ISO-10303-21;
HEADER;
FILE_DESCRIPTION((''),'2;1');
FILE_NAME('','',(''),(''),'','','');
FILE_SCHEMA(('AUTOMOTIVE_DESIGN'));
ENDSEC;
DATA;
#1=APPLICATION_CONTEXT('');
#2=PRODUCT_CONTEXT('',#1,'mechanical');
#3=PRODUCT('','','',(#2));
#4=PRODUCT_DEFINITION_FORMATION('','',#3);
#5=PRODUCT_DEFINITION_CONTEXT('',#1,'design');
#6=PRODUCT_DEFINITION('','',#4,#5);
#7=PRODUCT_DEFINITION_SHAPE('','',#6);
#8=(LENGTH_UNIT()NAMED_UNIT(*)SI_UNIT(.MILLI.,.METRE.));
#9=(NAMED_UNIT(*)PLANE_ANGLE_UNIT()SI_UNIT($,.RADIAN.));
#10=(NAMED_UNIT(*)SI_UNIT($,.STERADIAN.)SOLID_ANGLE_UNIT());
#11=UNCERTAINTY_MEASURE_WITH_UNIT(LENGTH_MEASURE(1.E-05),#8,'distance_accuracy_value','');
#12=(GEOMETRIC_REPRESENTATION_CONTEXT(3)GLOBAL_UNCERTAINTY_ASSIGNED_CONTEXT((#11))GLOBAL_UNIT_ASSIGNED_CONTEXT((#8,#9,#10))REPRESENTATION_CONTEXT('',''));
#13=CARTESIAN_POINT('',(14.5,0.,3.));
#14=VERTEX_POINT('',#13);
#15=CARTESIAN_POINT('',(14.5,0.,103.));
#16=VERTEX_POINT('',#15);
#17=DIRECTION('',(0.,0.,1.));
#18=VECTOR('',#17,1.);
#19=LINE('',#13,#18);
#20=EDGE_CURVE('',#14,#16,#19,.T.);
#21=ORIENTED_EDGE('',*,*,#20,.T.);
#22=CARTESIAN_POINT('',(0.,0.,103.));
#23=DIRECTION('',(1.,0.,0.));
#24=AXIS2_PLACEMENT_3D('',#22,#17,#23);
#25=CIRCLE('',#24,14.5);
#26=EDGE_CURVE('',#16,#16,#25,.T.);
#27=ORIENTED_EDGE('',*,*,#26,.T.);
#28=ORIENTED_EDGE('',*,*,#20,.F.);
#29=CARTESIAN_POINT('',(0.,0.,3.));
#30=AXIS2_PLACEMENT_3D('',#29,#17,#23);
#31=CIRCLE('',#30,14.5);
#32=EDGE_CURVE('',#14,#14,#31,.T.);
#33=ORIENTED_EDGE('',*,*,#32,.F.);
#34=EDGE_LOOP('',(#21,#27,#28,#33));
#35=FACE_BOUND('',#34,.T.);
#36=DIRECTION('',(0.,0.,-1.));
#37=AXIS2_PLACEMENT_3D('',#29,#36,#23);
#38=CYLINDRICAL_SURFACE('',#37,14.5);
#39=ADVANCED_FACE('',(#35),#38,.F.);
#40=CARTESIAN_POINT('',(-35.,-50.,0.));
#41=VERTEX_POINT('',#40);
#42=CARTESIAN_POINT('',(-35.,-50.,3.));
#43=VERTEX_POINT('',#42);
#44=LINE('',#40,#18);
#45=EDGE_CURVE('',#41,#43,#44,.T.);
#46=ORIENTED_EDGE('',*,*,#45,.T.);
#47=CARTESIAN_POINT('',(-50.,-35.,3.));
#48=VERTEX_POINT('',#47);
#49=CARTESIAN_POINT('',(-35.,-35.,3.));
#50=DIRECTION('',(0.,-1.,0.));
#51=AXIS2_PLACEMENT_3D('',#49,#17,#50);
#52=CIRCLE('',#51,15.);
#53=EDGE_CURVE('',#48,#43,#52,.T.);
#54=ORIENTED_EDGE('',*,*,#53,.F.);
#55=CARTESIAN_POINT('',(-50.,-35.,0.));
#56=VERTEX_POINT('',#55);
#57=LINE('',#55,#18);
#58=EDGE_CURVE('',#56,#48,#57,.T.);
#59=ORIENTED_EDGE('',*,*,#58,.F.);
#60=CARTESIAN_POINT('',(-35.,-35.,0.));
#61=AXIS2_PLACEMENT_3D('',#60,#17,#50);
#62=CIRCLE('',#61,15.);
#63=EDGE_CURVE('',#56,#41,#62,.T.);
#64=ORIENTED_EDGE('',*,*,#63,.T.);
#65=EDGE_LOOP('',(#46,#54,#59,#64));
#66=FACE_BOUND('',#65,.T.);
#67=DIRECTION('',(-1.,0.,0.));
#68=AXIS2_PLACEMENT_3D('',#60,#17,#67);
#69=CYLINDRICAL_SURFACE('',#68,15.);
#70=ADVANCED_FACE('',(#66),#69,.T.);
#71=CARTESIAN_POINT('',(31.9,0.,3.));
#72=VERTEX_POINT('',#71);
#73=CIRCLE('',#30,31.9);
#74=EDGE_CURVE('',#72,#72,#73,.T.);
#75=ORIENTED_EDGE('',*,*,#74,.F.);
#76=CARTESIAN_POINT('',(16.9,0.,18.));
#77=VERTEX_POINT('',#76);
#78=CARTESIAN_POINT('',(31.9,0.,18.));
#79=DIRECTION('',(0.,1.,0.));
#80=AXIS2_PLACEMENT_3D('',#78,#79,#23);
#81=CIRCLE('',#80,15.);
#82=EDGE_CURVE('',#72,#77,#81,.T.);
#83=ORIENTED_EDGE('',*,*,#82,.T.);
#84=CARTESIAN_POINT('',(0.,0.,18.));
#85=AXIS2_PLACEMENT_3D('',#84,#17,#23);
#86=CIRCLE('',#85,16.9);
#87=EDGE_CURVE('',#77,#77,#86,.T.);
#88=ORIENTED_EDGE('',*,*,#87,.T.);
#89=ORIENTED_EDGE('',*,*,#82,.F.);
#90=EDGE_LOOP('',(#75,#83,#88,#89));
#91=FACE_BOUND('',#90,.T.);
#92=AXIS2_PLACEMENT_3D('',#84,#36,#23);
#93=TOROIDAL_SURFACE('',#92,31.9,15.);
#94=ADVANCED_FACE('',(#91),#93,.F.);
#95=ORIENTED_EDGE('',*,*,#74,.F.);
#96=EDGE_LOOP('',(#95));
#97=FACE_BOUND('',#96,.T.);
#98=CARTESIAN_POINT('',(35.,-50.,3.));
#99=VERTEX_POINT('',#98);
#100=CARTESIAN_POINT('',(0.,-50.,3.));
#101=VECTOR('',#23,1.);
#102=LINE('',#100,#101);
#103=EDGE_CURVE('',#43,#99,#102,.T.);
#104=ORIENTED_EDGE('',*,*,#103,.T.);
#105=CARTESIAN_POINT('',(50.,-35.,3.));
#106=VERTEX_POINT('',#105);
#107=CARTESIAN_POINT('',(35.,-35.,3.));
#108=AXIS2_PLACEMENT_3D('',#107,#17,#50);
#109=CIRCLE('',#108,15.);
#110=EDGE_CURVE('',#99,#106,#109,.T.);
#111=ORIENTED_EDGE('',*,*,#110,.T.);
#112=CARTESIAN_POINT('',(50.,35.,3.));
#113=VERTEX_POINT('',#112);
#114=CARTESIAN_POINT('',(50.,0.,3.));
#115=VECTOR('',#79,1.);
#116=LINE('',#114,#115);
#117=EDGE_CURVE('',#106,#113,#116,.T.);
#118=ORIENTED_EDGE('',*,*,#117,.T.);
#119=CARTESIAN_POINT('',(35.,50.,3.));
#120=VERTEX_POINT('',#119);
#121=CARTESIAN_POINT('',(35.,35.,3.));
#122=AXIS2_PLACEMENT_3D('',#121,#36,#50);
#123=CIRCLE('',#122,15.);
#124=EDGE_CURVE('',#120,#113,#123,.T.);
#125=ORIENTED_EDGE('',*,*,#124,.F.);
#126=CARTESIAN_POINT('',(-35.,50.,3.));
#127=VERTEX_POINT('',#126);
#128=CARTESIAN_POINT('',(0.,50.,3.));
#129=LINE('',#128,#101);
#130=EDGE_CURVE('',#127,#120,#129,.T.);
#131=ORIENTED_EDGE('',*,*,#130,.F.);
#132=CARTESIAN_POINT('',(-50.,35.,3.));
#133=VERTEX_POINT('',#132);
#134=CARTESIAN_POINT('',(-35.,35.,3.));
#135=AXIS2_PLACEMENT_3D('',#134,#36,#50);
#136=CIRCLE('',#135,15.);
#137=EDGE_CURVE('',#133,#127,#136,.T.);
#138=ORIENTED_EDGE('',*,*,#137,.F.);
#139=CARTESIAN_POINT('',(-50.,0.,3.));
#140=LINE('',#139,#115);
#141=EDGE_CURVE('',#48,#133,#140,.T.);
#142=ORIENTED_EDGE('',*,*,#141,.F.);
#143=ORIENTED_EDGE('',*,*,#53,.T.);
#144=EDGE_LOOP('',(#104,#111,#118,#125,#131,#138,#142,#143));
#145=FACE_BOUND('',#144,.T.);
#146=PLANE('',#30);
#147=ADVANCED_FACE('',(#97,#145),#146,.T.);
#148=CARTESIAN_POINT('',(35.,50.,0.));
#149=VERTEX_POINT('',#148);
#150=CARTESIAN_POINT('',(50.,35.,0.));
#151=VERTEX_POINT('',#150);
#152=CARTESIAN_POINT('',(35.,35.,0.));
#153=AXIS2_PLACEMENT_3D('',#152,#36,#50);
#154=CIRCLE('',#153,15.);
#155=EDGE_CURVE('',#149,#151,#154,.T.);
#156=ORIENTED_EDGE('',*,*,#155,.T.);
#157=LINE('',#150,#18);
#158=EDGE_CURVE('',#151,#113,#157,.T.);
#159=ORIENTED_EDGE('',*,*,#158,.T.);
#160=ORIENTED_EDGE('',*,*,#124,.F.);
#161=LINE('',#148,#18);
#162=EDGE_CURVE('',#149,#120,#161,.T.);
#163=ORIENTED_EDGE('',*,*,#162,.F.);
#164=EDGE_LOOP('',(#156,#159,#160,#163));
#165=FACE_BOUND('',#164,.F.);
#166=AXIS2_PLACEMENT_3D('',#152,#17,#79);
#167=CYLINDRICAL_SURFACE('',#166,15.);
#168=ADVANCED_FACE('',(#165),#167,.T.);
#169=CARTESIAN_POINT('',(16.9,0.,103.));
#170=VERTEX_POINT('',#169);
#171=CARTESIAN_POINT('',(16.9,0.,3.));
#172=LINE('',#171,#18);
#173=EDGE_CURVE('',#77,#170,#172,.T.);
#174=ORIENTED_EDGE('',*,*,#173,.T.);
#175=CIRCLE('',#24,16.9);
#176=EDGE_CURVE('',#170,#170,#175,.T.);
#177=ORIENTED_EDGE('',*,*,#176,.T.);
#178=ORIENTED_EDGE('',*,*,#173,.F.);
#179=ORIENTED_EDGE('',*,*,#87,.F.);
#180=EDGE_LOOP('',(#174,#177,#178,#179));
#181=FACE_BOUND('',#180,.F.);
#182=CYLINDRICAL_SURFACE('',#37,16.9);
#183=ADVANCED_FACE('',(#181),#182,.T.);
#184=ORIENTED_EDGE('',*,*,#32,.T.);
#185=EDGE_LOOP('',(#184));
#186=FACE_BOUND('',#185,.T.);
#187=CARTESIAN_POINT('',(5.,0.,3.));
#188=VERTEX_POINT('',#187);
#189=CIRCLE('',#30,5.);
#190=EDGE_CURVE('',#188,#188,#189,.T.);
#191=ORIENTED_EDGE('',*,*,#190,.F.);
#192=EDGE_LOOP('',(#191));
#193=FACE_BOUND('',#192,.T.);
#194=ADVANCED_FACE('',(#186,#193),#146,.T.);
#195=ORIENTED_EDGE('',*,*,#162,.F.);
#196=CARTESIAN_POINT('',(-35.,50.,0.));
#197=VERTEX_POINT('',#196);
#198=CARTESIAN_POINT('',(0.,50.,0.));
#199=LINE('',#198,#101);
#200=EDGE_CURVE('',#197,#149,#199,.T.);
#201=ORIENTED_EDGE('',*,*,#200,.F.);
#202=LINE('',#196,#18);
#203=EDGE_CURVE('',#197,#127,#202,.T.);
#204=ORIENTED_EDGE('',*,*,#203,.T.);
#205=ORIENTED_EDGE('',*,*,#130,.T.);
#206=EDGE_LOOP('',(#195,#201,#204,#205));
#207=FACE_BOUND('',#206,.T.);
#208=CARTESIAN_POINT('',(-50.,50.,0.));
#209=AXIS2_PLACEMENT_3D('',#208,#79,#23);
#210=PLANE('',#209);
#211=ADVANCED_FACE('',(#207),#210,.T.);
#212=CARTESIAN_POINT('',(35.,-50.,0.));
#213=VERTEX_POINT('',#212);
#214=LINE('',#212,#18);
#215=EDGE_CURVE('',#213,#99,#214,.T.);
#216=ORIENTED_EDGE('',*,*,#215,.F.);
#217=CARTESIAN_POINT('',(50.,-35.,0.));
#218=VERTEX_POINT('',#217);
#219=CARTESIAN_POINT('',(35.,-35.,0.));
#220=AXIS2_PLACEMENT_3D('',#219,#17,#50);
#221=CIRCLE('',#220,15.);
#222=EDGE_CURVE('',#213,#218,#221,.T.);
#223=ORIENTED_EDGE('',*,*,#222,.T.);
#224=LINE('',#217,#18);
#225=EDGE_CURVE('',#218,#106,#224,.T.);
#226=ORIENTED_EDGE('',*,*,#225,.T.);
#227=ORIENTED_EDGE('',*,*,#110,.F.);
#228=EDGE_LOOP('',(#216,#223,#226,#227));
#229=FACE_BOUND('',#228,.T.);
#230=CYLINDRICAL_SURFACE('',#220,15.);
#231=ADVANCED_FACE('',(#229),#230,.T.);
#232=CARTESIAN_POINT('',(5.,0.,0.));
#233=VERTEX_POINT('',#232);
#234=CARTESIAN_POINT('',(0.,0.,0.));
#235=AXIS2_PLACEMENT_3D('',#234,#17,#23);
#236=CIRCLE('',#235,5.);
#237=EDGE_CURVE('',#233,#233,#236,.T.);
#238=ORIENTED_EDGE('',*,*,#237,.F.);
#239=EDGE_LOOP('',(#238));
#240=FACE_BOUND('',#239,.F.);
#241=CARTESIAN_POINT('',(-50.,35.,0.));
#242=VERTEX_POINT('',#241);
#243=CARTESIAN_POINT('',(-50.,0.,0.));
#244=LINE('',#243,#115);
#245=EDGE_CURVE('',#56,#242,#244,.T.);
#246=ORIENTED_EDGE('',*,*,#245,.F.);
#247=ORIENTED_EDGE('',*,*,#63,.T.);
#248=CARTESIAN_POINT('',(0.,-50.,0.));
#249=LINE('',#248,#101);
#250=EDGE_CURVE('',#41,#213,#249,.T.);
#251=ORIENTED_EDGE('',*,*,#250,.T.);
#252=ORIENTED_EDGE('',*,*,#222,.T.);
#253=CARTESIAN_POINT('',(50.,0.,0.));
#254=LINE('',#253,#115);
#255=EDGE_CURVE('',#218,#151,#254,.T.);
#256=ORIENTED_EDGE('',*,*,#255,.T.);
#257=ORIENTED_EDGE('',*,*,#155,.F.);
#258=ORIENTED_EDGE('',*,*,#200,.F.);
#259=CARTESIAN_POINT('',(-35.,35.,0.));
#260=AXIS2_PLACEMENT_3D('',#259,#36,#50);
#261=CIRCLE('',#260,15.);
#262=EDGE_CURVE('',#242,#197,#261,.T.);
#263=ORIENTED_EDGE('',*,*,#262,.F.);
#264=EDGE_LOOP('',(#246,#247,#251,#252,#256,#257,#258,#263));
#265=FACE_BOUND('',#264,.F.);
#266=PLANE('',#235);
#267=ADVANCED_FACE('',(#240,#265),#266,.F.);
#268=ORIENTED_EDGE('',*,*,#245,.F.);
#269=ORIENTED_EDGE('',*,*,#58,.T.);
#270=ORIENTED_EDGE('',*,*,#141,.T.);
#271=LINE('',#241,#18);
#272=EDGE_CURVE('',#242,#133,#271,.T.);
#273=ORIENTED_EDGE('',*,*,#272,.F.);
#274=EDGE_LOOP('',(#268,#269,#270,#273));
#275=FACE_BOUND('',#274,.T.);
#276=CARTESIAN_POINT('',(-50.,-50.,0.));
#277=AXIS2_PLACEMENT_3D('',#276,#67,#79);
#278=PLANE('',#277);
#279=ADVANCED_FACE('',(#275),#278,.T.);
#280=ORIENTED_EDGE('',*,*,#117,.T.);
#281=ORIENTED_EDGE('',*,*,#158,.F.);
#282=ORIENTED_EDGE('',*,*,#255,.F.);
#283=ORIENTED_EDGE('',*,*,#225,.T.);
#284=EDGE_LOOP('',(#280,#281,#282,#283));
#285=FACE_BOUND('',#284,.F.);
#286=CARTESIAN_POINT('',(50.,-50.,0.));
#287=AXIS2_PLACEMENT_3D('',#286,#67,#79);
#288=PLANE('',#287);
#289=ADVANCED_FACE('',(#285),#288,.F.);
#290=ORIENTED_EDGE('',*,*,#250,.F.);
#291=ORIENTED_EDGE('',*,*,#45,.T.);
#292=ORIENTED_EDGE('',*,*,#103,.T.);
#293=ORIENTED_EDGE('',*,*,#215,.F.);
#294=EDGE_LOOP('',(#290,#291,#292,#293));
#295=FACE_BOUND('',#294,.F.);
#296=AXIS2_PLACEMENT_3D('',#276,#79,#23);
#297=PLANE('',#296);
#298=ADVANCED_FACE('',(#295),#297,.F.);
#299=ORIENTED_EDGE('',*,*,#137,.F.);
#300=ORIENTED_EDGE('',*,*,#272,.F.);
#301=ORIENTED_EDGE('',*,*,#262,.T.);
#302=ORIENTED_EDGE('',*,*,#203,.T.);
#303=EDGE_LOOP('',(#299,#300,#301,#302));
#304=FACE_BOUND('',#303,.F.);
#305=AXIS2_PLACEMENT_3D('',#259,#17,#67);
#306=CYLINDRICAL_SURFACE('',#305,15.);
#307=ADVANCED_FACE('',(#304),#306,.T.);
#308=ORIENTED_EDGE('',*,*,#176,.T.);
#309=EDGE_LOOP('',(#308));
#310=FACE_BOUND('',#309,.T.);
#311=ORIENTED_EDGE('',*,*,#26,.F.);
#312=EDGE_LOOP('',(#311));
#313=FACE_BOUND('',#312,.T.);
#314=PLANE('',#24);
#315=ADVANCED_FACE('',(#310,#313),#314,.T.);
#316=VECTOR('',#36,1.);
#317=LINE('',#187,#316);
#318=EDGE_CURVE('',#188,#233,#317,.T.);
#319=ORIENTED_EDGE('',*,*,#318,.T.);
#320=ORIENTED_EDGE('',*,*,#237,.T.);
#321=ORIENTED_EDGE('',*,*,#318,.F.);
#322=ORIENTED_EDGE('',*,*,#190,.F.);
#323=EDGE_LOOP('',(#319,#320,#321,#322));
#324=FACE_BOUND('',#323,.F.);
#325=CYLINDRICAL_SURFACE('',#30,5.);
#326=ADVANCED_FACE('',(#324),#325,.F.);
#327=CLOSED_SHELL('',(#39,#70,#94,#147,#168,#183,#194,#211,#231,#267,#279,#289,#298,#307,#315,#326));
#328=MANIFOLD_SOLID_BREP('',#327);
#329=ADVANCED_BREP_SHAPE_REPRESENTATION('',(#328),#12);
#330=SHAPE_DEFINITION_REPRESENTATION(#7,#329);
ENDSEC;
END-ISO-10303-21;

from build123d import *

# Parameters (mm, degrees)
F0_W     = 100
F0_H     = 100
F1_DEPTH = 3
F2_R     = 16.9
F2_R_2   = 14.5
F3_DEPTH = 100
F4_R     = 15
F5_R     = 5
F6_DEPTH = 25


with BuildPart() as f1:
    # F0 (on Top) → F1 (new body)
    with BuildSketch(Plane.XY):
        Rectangle(F0_W, F0_H)
    extrude(amount=F1_DEPTH)

    # F2 (on face) → F3 (join)
    with BuildSketch(Plane.XY.offset(3)):
        Circle(F2_R)
        Circle(F2_R_2, mode=Mode.SUBTRACT)
    extrude(amount=F3_DEPTH)

    # F4
    f4_edges = [f1.edges().sort_by_distance(p)[0] for p in [
        (-16.9, 0, 3),
        (50, -50, 1.5),
        (50, 50, 1.5),
        (-50, 50, 1.5),
        (-50, -50, 1.5),
    ]]
    fillet(f4_edges, radius=F4_R)

    # F5 (on face) → F6 (cut)
    with BuildSketch(Plane.XY.offset(3)):
        Circle(F5_R)
    extrude(amount=-F6_DEPTH, mode=Mode.SUBTRACT)


solid = f1.part
